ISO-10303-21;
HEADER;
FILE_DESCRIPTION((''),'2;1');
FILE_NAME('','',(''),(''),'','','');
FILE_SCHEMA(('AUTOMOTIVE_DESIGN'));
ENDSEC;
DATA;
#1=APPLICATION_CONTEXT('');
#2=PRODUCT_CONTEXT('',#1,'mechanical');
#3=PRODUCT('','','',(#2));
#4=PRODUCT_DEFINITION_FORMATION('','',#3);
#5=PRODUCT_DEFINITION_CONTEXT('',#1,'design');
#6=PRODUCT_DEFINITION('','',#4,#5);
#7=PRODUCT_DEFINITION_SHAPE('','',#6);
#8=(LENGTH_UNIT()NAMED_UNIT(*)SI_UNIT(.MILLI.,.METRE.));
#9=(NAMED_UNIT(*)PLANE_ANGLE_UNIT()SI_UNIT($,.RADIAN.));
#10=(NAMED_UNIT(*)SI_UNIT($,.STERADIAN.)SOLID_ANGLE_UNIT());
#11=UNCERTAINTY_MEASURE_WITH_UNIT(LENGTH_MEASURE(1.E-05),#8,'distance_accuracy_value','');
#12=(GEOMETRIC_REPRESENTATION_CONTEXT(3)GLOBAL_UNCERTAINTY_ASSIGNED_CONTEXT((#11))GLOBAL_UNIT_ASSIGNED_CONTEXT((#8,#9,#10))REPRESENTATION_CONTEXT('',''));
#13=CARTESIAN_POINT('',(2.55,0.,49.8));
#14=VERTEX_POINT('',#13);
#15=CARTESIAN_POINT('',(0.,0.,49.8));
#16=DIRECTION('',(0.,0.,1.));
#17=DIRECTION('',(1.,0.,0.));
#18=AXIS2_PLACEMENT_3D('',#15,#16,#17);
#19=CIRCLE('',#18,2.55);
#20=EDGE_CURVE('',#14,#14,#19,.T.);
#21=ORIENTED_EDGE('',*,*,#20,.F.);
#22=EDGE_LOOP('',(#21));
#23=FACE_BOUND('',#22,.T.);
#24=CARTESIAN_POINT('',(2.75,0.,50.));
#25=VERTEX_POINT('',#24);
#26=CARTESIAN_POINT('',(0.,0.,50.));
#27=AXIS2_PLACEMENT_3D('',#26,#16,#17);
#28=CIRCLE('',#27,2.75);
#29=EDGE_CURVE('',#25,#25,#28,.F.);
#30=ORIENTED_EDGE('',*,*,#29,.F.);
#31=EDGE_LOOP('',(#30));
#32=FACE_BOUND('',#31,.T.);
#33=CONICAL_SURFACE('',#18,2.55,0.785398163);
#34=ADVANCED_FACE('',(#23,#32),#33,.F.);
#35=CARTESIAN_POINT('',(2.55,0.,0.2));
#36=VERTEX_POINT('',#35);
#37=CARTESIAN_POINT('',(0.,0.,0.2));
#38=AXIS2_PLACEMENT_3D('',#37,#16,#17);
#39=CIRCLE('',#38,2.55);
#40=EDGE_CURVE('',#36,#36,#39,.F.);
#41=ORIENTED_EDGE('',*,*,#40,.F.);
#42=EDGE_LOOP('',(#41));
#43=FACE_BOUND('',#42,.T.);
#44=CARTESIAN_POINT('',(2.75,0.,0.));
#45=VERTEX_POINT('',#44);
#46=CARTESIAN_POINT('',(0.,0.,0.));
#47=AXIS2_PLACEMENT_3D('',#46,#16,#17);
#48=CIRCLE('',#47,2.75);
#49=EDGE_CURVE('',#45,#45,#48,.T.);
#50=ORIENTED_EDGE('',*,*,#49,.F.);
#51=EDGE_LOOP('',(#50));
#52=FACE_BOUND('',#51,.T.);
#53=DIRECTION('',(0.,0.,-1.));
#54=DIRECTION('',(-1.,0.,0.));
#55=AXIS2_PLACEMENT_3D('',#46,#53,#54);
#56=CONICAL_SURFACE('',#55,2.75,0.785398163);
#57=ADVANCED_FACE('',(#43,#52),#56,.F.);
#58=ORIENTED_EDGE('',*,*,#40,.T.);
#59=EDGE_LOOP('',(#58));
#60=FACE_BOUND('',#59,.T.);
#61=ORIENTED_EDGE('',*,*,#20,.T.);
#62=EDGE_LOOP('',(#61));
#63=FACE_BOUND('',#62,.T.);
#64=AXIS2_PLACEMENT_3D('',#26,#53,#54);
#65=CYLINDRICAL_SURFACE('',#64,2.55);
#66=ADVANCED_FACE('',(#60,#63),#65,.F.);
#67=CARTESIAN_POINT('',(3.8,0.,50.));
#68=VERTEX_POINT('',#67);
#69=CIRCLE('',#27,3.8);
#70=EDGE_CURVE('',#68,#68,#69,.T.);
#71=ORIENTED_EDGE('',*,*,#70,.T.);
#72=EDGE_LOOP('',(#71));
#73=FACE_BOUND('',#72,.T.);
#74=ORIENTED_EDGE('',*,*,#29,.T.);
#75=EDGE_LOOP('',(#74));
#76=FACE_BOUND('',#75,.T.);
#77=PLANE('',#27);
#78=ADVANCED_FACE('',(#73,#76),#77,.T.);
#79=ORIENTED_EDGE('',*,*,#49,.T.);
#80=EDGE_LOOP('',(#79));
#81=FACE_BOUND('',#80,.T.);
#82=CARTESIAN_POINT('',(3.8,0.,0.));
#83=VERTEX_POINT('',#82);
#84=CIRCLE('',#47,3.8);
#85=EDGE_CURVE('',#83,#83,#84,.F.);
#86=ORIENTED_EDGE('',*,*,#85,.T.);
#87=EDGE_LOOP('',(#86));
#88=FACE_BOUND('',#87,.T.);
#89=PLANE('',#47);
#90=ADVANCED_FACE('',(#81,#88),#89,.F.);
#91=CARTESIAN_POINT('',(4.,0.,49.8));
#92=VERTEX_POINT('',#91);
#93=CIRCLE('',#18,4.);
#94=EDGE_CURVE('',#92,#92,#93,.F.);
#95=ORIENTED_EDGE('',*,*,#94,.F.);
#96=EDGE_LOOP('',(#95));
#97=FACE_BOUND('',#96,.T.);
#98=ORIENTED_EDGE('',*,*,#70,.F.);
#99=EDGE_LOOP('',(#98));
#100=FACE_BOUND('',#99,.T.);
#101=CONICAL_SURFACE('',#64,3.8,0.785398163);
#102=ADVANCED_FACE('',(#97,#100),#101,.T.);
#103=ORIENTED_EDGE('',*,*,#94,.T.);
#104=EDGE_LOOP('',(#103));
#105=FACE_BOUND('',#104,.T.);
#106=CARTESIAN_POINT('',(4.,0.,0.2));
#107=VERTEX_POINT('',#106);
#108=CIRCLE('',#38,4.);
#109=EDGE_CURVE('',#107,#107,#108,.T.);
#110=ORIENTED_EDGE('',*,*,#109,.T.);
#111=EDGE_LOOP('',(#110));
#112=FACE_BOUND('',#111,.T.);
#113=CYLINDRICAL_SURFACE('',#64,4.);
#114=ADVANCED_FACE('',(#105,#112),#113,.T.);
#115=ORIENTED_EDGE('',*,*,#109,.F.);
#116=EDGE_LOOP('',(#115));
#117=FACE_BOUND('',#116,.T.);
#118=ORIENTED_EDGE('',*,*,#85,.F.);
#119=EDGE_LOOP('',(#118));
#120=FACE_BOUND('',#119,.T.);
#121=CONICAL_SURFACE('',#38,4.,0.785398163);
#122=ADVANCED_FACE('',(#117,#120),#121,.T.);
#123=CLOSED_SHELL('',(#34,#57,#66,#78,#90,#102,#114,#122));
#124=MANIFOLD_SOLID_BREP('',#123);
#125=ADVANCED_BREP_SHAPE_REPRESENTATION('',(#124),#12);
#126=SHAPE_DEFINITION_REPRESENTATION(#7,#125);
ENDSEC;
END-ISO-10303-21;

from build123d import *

# Parameters (mm, degrees)
SKETCH1_R           = 4
SKETCH1_R_2         = 2.55
BOSS_EXTRUDE1_DEPTH = 50
CHAMFER1_SIZE       = 0.2


with BuildPart() as part:
    # Sketch1 → Boss-Extrude1 (new body)
    with BuildSketch(Plane.XY):
        Circle(SKETCH1_R)
        Circle(SKETCH1_R_2, mode=Mode.SUBTRACT)
    extrude(amount=BOSS_EXTRUDE1_DEPTH)

    # Chamfer1
    chamfer1_edges = [part.edges().sort_by_distance(p)[0] for p in [
        (-4, 0, 0),
        (-4, 0, 50),
        (-2.55, 0, 0),
        (-2.55, 0, 50),
    ]]
    chamfer(chamfer1_edges, length=CHAMFER1_SIZE)


solid = part.part
